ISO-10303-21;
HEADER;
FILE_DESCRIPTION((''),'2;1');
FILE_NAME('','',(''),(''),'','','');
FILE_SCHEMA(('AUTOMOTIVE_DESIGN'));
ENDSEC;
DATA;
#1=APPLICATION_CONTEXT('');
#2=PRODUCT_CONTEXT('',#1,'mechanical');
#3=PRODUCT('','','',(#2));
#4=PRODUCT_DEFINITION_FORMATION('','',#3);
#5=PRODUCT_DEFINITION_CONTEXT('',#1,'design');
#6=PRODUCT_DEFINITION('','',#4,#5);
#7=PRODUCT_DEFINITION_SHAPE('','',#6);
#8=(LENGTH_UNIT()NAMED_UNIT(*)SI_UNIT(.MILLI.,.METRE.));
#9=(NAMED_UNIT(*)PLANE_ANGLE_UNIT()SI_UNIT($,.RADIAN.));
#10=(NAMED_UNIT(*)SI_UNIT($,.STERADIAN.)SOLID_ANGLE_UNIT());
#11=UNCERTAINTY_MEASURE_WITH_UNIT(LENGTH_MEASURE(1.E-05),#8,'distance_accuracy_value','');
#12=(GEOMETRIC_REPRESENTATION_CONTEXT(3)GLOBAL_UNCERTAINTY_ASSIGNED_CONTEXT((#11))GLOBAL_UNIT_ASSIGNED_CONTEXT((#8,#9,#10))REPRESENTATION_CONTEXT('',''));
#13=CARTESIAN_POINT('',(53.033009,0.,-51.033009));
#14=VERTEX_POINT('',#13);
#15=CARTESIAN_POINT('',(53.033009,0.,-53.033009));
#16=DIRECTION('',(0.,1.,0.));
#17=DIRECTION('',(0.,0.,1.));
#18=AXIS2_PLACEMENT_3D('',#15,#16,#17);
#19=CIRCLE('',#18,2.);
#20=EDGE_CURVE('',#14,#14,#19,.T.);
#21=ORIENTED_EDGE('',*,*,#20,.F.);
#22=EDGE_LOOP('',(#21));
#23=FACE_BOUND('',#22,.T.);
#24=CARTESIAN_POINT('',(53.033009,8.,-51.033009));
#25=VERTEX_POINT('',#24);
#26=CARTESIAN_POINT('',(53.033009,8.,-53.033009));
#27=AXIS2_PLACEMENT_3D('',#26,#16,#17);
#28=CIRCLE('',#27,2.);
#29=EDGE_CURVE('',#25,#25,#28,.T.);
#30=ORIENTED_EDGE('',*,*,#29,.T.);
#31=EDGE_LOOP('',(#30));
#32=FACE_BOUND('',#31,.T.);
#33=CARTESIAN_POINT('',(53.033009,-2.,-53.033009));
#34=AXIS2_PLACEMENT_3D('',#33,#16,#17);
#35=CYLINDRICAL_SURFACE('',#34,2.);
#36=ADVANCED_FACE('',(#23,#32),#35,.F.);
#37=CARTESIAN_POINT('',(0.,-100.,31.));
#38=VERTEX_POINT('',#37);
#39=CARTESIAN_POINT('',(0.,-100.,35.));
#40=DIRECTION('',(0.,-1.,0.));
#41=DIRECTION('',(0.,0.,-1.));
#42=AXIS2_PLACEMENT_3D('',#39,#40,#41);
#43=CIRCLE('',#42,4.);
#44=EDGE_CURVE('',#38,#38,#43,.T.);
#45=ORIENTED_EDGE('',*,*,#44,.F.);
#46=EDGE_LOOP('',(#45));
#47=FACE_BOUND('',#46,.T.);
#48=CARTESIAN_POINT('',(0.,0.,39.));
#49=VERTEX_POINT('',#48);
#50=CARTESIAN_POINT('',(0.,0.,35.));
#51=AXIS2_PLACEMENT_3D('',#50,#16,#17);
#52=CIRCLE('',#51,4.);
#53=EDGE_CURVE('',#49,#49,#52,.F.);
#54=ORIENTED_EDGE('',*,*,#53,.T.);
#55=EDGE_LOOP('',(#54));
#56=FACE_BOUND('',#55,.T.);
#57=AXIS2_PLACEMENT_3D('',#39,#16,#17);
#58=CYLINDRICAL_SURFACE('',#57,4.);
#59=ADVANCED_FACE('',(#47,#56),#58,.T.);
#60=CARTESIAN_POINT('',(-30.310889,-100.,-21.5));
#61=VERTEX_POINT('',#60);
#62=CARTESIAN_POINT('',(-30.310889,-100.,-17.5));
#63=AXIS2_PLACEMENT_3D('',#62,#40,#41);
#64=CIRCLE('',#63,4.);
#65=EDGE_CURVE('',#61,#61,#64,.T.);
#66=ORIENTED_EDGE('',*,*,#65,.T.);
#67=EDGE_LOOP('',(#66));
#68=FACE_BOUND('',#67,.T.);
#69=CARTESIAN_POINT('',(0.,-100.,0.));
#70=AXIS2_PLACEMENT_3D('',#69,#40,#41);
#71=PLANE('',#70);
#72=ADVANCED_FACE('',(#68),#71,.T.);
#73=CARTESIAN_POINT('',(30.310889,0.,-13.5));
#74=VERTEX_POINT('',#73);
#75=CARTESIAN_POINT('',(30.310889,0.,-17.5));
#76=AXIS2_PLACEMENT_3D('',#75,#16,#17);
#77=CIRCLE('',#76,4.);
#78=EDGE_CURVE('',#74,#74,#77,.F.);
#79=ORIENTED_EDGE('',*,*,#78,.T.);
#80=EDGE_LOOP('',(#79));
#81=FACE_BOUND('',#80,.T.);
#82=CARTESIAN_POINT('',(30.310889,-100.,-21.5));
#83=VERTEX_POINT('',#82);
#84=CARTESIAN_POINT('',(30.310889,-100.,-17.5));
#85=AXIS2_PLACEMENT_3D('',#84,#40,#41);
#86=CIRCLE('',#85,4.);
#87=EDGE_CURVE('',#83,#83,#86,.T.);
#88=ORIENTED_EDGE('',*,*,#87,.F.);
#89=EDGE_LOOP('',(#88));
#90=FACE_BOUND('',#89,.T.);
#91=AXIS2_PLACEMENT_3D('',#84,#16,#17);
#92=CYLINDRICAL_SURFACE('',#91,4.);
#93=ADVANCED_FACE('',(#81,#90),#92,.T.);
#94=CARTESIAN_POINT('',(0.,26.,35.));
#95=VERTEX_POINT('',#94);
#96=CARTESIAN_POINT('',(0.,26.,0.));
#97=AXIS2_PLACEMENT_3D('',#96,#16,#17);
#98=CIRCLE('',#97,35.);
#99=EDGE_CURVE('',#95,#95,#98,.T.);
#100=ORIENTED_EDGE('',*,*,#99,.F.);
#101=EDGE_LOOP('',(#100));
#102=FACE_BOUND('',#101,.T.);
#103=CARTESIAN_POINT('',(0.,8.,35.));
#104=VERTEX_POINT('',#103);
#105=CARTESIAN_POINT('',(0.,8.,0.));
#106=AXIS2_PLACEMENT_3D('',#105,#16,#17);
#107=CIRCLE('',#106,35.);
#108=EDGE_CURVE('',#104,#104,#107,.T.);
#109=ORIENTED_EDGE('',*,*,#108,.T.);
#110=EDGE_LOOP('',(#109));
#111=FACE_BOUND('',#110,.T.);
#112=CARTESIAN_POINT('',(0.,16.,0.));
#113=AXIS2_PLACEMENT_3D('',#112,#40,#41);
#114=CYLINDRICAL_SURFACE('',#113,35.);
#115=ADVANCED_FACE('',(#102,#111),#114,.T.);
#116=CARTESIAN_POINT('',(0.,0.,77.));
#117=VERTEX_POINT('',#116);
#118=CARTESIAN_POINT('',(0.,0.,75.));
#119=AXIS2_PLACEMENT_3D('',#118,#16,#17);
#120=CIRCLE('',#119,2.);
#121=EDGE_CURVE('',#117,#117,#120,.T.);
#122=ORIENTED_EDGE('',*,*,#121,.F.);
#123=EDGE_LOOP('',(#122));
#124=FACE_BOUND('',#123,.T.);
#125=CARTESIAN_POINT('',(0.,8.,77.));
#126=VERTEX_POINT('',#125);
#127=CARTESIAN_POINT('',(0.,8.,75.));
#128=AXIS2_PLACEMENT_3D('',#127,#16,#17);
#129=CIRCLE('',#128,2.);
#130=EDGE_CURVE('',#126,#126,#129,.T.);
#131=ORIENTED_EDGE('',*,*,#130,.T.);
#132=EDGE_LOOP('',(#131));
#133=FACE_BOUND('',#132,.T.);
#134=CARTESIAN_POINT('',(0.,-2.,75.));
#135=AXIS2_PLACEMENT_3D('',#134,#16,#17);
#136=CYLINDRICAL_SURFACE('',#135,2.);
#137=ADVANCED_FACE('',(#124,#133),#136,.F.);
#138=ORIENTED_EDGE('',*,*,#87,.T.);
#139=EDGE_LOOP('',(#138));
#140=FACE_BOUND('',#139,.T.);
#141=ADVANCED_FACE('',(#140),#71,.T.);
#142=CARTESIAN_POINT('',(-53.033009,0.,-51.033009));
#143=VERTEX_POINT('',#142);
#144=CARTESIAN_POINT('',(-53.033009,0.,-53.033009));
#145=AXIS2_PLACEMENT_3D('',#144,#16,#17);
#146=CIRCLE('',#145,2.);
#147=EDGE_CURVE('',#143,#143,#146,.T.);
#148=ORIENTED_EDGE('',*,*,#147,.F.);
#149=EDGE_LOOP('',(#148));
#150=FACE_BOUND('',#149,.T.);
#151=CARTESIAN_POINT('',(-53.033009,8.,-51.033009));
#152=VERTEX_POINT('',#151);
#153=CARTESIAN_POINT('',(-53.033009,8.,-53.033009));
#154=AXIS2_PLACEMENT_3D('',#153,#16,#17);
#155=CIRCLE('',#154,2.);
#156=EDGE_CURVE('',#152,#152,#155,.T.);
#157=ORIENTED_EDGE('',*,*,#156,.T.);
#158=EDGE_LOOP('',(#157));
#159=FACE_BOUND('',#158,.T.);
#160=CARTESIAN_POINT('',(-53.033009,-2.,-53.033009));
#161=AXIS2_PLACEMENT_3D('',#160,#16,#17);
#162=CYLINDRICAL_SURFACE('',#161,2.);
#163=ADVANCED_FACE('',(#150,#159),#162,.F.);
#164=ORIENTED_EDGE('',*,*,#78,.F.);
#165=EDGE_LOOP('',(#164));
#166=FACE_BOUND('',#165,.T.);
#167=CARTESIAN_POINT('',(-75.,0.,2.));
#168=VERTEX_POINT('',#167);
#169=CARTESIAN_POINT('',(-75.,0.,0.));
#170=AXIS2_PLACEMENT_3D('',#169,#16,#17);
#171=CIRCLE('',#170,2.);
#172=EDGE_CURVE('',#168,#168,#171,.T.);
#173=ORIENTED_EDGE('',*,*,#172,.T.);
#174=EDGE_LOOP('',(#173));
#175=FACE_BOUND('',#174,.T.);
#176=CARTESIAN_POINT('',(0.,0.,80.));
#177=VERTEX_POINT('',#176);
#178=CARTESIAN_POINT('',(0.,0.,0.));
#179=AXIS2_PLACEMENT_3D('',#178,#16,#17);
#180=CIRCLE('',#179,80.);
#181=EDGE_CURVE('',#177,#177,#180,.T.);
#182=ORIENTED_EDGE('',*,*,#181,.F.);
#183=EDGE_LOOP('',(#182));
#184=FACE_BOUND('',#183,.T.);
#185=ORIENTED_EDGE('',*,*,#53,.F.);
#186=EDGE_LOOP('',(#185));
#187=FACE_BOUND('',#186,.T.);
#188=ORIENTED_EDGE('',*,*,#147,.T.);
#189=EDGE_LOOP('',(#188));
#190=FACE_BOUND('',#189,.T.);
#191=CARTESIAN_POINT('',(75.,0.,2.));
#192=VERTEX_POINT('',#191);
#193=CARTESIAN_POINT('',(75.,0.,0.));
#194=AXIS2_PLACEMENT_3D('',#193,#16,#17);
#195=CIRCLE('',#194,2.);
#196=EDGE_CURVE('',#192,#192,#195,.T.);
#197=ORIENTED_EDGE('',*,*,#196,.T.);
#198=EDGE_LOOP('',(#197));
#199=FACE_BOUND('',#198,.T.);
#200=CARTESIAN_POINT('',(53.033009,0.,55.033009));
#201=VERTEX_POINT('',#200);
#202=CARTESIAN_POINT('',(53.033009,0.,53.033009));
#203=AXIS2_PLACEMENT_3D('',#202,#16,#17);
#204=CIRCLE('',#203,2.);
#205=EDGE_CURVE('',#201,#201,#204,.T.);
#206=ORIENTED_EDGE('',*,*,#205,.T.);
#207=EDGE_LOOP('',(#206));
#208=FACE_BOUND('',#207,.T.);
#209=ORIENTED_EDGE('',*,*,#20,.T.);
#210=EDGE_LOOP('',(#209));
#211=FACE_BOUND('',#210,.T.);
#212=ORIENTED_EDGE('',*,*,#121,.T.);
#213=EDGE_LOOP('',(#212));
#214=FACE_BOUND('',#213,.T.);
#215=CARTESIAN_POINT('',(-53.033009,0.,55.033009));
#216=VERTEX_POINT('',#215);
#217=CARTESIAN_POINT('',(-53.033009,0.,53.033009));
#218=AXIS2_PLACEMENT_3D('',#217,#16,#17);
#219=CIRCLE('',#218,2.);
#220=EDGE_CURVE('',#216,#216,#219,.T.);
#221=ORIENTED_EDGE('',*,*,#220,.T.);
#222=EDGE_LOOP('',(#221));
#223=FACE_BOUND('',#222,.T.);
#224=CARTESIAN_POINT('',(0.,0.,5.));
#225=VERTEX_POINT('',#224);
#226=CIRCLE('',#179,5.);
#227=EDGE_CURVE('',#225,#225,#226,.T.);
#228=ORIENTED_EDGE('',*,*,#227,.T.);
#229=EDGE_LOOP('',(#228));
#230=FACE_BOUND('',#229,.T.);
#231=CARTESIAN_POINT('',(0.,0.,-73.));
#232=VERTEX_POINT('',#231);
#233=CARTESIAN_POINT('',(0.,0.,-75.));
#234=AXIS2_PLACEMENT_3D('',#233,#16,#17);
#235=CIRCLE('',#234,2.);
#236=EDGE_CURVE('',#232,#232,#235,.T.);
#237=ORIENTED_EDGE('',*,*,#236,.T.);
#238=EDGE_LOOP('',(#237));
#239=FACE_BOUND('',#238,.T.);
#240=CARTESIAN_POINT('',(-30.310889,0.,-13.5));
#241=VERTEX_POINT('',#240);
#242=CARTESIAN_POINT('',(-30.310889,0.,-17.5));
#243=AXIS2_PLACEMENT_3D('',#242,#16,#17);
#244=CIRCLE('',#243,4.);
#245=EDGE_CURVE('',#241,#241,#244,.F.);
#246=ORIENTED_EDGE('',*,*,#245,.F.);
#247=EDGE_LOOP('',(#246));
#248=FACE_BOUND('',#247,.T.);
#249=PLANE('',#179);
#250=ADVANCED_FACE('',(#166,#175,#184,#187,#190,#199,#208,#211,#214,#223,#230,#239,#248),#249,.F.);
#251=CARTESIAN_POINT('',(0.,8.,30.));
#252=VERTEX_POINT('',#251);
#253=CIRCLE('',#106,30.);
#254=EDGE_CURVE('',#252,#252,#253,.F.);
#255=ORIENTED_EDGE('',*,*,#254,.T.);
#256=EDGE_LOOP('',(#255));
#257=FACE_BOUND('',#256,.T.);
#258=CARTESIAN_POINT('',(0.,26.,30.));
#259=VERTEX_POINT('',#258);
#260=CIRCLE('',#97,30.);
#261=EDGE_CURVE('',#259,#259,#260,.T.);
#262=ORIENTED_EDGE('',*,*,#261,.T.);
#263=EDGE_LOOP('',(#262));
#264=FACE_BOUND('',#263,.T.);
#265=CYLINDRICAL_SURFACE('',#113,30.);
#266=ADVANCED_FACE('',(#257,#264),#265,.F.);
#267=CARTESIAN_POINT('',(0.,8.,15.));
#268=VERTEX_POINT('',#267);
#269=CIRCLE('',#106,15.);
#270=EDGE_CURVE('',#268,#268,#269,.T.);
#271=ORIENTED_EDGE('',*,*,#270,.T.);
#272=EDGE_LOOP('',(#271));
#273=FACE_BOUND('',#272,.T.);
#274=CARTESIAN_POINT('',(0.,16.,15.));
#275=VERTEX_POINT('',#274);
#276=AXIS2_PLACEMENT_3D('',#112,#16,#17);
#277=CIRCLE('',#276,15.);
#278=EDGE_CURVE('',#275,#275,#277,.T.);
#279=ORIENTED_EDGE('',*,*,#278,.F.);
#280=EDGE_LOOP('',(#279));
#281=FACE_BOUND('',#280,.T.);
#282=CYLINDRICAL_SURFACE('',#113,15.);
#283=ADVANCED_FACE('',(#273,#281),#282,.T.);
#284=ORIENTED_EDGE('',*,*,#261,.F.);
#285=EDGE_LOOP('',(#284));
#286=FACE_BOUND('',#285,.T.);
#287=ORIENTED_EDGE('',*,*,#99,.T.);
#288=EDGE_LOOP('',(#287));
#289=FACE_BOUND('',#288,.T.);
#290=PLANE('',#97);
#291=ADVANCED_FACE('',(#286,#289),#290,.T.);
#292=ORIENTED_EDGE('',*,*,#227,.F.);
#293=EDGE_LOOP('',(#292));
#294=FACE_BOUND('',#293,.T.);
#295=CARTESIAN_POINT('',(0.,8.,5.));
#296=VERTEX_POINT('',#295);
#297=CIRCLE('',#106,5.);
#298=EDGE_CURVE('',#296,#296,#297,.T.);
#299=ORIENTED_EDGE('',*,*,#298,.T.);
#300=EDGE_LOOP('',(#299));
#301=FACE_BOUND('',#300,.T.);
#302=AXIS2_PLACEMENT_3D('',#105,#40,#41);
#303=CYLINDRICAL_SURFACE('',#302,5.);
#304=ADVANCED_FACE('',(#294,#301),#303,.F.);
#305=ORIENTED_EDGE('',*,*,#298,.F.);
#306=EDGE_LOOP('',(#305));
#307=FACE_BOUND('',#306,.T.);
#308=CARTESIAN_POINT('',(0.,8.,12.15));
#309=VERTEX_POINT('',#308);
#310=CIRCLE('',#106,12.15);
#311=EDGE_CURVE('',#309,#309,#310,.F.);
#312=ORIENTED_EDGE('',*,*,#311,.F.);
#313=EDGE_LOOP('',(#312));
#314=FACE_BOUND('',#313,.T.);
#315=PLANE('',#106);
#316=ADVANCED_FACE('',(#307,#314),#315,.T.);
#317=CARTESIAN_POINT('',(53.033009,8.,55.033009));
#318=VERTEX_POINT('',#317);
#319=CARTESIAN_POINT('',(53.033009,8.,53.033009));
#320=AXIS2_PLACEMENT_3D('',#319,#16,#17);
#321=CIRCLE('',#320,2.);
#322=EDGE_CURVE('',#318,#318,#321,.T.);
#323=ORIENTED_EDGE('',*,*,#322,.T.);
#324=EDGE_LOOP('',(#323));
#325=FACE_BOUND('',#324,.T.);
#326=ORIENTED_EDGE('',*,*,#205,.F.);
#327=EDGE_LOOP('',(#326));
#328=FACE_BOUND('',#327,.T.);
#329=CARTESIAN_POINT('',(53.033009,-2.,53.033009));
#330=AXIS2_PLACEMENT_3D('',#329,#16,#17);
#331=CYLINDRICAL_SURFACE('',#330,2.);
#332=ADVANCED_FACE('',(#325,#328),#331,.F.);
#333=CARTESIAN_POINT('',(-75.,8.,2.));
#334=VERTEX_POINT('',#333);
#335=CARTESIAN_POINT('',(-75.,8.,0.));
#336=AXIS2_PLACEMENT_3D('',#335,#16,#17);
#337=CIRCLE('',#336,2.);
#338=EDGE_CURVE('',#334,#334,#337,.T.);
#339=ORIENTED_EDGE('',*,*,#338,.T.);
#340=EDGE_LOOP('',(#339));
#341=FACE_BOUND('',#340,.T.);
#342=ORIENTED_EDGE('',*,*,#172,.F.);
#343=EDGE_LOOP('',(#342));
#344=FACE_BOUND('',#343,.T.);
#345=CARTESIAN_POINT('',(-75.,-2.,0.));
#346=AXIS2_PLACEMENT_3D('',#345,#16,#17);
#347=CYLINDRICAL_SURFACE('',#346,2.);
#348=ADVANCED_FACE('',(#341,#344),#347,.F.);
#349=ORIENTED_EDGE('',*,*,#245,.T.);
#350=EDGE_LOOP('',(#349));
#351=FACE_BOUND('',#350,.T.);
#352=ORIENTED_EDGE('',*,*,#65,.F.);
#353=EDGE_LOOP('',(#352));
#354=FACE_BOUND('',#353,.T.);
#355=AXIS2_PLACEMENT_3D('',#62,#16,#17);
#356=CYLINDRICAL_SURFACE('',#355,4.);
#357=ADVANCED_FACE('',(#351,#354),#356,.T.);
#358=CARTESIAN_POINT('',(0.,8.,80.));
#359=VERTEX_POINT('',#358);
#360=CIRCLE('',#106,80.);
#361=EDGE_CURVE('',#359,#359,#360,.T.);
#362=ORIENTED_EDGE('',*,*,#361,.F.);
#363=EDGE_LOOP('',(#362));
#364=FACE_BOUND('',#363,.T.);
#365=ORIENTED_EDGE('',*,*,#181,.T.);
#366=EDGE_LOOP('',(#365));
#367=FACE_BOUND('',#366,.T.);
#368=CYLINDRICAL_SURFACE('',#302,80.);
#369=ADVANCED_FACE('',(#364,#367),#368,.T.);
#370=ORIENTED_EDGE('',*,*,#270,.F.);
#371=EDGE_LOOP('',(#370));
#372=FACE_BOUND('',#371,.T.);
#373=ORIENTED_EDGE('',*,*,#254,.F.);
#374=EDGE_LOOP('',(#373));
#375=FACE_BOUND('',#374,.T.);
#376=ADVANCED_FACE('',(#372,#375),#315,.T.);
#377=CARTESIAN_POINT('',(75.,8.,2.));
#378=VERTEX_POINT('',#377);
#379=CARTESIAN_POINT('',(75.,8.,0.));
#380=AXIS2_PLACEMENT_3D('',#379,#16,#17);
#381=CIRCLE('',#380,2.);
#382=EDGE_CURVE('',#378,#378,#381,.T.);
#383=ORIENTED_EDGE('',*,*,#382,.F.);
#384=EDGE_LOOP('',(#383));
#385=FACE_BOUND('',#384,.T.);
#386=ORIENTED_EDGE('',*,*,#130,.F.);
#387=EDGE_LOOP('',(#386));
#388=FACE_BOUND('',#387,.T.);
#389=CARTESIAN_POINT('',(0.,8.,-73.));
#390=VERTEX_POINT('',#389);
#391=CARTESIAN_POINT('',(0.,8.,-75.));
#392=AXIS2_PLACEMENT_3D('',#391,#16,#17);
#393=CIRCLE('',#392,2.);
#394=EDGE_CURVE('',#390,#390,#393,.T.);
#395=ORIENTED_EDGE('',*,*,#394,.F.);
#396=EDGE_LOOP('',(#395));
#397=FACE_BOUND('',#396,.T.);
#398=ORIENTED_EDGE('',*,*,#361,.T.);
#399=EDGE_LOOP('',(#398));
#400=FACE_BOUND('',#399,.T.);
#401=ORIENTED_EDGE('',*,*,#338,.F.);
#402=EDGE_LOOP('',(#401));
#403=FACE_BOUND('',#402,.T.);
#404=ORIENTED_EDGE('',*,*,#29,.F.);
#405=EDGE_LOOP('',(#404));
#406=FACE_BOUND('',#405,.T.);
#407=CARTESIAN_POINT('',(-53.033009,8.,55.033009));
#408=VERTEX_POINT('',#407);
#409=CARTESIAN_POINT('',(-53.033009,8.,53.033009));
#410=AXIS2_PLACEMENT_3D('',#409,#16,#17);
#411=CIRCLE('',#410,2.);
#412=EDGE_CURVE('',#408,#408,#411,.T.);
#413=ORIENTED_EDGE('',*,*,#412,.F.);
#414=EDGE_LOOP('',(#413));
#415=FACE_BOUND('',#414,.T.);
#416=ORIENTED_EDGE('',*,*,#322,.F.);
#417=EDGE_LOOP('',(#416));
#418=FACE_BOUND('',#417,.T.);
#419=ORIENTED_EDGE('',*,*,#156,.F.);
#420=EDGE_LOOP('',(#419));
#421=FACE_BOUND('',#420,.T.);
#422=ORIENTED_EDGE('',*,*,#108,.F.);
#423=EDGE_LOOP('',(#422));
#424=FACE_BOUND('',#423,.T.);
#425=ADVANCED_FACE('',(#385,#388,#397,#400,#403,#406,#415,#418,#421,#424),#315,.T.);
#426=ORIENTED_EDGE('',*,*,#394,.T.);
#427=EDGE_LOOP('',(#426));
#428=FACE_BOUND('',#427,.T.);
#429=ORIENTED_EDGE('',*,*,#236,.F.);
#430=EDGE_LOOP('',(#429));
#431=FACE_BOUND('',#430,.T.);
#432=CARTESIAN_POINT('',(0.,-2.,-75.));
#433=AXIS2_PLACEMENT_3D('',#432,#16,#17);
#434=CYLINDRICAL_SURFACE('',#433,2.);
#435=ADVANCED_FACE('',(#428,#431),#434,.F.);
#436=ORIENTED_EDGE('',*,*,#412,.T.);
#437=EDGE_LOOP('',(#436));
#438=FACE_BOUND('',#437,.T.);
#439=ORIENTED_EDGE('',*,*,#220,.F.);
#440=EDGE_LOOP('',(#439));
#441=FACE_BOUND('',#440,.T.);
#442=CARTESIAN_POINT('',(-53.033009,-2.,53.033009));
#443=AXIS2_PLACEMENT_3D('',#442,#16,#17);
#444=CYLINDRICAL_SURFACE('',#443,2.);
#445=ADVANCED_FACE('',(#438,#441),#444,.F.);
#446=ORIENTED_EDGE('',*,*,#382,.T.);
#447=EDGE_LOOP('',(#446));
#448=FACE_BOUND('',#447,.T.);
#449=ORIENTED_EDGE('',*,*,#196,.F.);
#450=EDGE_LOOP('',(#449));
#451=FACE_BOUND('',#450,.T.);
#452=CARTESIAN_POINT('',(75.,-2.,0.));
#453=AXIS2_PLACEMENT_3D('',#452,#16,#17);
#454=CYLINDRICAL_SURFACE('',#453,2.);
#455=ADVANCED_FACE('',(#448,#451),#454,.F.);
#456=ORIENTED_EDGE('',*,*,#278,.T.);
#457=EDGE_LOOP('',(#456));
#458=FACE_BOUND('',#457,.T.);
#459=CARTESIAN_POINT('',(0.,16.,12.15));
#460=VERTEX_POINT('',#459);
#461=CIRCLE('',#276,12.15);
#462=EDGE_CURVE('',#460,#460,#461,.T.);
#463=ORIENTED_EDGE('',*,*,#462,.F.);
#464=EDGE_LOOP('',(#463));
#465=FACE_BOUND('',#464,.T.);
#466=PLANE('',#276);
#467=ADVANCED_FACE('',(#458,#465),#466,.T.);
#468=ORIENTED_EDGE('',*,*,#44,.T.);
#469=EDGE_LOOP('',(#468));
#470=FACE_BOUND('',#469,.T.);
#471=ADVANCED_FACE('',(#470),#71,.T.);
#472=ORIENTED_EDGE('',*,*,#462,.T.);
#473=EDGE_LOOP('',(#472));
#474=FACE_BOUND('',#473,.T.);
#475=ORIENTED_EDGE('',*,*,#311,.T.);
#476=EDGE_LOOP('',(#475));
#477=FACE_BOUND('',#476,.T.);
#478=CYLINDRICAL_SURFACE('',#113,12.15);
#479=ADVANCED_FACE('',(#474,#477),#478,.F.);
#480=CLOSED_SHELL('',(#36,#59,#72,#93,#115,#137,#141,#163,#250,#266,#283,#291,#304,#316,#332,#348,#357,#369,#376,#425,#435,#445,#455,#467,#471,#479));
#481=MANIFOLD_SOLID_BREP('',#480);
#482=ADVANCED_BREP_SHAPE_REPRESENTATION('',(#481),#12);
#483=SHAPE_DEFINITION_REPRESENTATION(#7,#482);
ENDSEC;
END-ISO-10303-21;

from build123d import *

# Parameters (mm, degrees)
CROQUIS1_R              = 80
CROQUIS1_R_2            = 5
SALIENTE_EXTRUIR1_DEPTH = 8
CROQUIS2_R              = 2
CORTAR_EXTRUIR1_DEPTH   = 10
CROQUIS3_R              = 35
CROQUIS3_R_2            = 30
CROQUIS3_R_3            = 15
CROQUIS3_R_4            = 12.15
SALIENTE_EXTRUIR2_DEPTH = 8
CROQUIS4_R              = 35
CROQUIS4_R_2            = 30
SALIENTE_EXTRUIR3_DEPTH = 10
CROQUIS5_R              = 4
SALIENTE_EXTRUIR4_DEPTH = 100


with BuildPart() as part:
    # Croquis1 → Saliente-Extruir1 (new body)
    with BuildSketch(Plane(origin=(0, 0, 0), x_dir=(1, 0, 0), z_dir=(0, 1, 0))):
        with Locations(Location((0, 0, 0), (0, 0, 270))):
            Circle(CROQUIS1_R)
        with Locations(Location((0, 0, 0), (0, 0, 270))):
            Circle(CROQUIS1_R_2, mode=Mode.SUBTRACT)
    extrude(amount=SALIENTE_EXTRUIR1_DEPTH)

    # Croquis2 → Cortar-Extruir1 (cut)
    with BuildSketch(Plane(origin=(0, 8, 0), x_dir=(1, 0, 0), z_dir=(0, 1, 0))):
        with Locations(Location((0, 75, 0), (0, 0, 270))):
            Circle(CROQUIS2_R)
        with Locations(Location((53.033008589, 53.033008589, 0), (0, 0, 270))):
            Circle(CROQUIS2_R)
        with Locations(Location((75, 0, 0), (0, 0, 270))):
            Circle(CROQUIS2_R)
        with Locations(Location((53.033008589, -53.033008589, 0), (0, 0, 270))):
            Circle(CROQUIS2_R)
        with Locations(Location((0, -75, 0), (0, 0, 270))):
            Circle(CROQUIS2_R)
        with Locations(Location((-53.033008589, -53.033008589, 0), (0, 0, 270))):
            Circle(CROQUIS2_R)
        with Locations(Location((-75, 0, 0), (0, 0, 270))):
            Circle(CROQUIS2_R)
        with Locations(Location((-53.033008589, 53.033008589, 0), (0, 0, 270))):
            Circle(CROQUIS2_R)
    extrude(amount=-CORTAR_EXTRUIR1_DEPTH, mode=Mode.SUBTRACT)

    # Croquis3 → Saliente-Extruir2 (add)
    # profile 1 of 2: a face of its own
    with BuildSketch(Plane(origin=(0, 8, 0), x_dir=(1, 0, 0), z_dir=(0, 1, 0))):
        with Locations(Location((0, 0, 0), (0, 0, 270))):
            Circle(CROQUIS3_R)
        with Locations(Location((0, 0, 0), (0, 0, 270))):
            Circle(CROQUIS3_R_2, mode=Mode.SUBTRACT)
    # profile 2 of 2: a face of its own
    with BuildSketch(Plane(origin=(0, 8, 0), x_dir=(1, 0, 0), z_dir=(0, 1, 0))):
        with Locations(Location((0, 0, 0), (0, 0, 270))):
            Circle(CROQUIS3_R_3)
        with Locations(Location((0, 0, 0), (0, 0, 270))):
            Circle(CROQUIS3_R_4, mode=Mode.SUBTRACT)
    extrude(amount=SALIENTE_EXTRUIR2_DEPTH)

    # Croquis4 → Saliente-Extruir3 (add)
    with BuildSketch(Plane(origin=(0, 16, 0), x_dir=(1, 0, 0), z_dir=(0, 1, 0))):
        with Locations(Location((0, 0, 0), (0, 0, 270))):
            Circle(CROQUIS4_R)
        with Locations(Location((0, 0, 0), (0, 0, 270))):
            Circle(CROQUIS4_R_2, mode=Mode.SUBTRACT)
    extrude(amount=SALIENTE_EXTRUIR3_DEPTH)

    # Croquis5 → Saliente-Extruir4 (add)
    with BuildSketch(Plane.XZ):
        with Locations(Location((0, 35, 0), (0, 0, 90))):
            Circle(CROQUIS5_R)
        with Locations(Location((30.310889132, -17.5, 0), (0, 0, 90))):
            Circle(CROQUIS5_R)
        with Locations(Location((-30.310889132, -17.5, 0), (0, 0, 90))):
            Circle(CROQUIS5_R)
    extrude(amount=SALIENTE_EXTRUIR4_DEPTH)


solid = part.part
